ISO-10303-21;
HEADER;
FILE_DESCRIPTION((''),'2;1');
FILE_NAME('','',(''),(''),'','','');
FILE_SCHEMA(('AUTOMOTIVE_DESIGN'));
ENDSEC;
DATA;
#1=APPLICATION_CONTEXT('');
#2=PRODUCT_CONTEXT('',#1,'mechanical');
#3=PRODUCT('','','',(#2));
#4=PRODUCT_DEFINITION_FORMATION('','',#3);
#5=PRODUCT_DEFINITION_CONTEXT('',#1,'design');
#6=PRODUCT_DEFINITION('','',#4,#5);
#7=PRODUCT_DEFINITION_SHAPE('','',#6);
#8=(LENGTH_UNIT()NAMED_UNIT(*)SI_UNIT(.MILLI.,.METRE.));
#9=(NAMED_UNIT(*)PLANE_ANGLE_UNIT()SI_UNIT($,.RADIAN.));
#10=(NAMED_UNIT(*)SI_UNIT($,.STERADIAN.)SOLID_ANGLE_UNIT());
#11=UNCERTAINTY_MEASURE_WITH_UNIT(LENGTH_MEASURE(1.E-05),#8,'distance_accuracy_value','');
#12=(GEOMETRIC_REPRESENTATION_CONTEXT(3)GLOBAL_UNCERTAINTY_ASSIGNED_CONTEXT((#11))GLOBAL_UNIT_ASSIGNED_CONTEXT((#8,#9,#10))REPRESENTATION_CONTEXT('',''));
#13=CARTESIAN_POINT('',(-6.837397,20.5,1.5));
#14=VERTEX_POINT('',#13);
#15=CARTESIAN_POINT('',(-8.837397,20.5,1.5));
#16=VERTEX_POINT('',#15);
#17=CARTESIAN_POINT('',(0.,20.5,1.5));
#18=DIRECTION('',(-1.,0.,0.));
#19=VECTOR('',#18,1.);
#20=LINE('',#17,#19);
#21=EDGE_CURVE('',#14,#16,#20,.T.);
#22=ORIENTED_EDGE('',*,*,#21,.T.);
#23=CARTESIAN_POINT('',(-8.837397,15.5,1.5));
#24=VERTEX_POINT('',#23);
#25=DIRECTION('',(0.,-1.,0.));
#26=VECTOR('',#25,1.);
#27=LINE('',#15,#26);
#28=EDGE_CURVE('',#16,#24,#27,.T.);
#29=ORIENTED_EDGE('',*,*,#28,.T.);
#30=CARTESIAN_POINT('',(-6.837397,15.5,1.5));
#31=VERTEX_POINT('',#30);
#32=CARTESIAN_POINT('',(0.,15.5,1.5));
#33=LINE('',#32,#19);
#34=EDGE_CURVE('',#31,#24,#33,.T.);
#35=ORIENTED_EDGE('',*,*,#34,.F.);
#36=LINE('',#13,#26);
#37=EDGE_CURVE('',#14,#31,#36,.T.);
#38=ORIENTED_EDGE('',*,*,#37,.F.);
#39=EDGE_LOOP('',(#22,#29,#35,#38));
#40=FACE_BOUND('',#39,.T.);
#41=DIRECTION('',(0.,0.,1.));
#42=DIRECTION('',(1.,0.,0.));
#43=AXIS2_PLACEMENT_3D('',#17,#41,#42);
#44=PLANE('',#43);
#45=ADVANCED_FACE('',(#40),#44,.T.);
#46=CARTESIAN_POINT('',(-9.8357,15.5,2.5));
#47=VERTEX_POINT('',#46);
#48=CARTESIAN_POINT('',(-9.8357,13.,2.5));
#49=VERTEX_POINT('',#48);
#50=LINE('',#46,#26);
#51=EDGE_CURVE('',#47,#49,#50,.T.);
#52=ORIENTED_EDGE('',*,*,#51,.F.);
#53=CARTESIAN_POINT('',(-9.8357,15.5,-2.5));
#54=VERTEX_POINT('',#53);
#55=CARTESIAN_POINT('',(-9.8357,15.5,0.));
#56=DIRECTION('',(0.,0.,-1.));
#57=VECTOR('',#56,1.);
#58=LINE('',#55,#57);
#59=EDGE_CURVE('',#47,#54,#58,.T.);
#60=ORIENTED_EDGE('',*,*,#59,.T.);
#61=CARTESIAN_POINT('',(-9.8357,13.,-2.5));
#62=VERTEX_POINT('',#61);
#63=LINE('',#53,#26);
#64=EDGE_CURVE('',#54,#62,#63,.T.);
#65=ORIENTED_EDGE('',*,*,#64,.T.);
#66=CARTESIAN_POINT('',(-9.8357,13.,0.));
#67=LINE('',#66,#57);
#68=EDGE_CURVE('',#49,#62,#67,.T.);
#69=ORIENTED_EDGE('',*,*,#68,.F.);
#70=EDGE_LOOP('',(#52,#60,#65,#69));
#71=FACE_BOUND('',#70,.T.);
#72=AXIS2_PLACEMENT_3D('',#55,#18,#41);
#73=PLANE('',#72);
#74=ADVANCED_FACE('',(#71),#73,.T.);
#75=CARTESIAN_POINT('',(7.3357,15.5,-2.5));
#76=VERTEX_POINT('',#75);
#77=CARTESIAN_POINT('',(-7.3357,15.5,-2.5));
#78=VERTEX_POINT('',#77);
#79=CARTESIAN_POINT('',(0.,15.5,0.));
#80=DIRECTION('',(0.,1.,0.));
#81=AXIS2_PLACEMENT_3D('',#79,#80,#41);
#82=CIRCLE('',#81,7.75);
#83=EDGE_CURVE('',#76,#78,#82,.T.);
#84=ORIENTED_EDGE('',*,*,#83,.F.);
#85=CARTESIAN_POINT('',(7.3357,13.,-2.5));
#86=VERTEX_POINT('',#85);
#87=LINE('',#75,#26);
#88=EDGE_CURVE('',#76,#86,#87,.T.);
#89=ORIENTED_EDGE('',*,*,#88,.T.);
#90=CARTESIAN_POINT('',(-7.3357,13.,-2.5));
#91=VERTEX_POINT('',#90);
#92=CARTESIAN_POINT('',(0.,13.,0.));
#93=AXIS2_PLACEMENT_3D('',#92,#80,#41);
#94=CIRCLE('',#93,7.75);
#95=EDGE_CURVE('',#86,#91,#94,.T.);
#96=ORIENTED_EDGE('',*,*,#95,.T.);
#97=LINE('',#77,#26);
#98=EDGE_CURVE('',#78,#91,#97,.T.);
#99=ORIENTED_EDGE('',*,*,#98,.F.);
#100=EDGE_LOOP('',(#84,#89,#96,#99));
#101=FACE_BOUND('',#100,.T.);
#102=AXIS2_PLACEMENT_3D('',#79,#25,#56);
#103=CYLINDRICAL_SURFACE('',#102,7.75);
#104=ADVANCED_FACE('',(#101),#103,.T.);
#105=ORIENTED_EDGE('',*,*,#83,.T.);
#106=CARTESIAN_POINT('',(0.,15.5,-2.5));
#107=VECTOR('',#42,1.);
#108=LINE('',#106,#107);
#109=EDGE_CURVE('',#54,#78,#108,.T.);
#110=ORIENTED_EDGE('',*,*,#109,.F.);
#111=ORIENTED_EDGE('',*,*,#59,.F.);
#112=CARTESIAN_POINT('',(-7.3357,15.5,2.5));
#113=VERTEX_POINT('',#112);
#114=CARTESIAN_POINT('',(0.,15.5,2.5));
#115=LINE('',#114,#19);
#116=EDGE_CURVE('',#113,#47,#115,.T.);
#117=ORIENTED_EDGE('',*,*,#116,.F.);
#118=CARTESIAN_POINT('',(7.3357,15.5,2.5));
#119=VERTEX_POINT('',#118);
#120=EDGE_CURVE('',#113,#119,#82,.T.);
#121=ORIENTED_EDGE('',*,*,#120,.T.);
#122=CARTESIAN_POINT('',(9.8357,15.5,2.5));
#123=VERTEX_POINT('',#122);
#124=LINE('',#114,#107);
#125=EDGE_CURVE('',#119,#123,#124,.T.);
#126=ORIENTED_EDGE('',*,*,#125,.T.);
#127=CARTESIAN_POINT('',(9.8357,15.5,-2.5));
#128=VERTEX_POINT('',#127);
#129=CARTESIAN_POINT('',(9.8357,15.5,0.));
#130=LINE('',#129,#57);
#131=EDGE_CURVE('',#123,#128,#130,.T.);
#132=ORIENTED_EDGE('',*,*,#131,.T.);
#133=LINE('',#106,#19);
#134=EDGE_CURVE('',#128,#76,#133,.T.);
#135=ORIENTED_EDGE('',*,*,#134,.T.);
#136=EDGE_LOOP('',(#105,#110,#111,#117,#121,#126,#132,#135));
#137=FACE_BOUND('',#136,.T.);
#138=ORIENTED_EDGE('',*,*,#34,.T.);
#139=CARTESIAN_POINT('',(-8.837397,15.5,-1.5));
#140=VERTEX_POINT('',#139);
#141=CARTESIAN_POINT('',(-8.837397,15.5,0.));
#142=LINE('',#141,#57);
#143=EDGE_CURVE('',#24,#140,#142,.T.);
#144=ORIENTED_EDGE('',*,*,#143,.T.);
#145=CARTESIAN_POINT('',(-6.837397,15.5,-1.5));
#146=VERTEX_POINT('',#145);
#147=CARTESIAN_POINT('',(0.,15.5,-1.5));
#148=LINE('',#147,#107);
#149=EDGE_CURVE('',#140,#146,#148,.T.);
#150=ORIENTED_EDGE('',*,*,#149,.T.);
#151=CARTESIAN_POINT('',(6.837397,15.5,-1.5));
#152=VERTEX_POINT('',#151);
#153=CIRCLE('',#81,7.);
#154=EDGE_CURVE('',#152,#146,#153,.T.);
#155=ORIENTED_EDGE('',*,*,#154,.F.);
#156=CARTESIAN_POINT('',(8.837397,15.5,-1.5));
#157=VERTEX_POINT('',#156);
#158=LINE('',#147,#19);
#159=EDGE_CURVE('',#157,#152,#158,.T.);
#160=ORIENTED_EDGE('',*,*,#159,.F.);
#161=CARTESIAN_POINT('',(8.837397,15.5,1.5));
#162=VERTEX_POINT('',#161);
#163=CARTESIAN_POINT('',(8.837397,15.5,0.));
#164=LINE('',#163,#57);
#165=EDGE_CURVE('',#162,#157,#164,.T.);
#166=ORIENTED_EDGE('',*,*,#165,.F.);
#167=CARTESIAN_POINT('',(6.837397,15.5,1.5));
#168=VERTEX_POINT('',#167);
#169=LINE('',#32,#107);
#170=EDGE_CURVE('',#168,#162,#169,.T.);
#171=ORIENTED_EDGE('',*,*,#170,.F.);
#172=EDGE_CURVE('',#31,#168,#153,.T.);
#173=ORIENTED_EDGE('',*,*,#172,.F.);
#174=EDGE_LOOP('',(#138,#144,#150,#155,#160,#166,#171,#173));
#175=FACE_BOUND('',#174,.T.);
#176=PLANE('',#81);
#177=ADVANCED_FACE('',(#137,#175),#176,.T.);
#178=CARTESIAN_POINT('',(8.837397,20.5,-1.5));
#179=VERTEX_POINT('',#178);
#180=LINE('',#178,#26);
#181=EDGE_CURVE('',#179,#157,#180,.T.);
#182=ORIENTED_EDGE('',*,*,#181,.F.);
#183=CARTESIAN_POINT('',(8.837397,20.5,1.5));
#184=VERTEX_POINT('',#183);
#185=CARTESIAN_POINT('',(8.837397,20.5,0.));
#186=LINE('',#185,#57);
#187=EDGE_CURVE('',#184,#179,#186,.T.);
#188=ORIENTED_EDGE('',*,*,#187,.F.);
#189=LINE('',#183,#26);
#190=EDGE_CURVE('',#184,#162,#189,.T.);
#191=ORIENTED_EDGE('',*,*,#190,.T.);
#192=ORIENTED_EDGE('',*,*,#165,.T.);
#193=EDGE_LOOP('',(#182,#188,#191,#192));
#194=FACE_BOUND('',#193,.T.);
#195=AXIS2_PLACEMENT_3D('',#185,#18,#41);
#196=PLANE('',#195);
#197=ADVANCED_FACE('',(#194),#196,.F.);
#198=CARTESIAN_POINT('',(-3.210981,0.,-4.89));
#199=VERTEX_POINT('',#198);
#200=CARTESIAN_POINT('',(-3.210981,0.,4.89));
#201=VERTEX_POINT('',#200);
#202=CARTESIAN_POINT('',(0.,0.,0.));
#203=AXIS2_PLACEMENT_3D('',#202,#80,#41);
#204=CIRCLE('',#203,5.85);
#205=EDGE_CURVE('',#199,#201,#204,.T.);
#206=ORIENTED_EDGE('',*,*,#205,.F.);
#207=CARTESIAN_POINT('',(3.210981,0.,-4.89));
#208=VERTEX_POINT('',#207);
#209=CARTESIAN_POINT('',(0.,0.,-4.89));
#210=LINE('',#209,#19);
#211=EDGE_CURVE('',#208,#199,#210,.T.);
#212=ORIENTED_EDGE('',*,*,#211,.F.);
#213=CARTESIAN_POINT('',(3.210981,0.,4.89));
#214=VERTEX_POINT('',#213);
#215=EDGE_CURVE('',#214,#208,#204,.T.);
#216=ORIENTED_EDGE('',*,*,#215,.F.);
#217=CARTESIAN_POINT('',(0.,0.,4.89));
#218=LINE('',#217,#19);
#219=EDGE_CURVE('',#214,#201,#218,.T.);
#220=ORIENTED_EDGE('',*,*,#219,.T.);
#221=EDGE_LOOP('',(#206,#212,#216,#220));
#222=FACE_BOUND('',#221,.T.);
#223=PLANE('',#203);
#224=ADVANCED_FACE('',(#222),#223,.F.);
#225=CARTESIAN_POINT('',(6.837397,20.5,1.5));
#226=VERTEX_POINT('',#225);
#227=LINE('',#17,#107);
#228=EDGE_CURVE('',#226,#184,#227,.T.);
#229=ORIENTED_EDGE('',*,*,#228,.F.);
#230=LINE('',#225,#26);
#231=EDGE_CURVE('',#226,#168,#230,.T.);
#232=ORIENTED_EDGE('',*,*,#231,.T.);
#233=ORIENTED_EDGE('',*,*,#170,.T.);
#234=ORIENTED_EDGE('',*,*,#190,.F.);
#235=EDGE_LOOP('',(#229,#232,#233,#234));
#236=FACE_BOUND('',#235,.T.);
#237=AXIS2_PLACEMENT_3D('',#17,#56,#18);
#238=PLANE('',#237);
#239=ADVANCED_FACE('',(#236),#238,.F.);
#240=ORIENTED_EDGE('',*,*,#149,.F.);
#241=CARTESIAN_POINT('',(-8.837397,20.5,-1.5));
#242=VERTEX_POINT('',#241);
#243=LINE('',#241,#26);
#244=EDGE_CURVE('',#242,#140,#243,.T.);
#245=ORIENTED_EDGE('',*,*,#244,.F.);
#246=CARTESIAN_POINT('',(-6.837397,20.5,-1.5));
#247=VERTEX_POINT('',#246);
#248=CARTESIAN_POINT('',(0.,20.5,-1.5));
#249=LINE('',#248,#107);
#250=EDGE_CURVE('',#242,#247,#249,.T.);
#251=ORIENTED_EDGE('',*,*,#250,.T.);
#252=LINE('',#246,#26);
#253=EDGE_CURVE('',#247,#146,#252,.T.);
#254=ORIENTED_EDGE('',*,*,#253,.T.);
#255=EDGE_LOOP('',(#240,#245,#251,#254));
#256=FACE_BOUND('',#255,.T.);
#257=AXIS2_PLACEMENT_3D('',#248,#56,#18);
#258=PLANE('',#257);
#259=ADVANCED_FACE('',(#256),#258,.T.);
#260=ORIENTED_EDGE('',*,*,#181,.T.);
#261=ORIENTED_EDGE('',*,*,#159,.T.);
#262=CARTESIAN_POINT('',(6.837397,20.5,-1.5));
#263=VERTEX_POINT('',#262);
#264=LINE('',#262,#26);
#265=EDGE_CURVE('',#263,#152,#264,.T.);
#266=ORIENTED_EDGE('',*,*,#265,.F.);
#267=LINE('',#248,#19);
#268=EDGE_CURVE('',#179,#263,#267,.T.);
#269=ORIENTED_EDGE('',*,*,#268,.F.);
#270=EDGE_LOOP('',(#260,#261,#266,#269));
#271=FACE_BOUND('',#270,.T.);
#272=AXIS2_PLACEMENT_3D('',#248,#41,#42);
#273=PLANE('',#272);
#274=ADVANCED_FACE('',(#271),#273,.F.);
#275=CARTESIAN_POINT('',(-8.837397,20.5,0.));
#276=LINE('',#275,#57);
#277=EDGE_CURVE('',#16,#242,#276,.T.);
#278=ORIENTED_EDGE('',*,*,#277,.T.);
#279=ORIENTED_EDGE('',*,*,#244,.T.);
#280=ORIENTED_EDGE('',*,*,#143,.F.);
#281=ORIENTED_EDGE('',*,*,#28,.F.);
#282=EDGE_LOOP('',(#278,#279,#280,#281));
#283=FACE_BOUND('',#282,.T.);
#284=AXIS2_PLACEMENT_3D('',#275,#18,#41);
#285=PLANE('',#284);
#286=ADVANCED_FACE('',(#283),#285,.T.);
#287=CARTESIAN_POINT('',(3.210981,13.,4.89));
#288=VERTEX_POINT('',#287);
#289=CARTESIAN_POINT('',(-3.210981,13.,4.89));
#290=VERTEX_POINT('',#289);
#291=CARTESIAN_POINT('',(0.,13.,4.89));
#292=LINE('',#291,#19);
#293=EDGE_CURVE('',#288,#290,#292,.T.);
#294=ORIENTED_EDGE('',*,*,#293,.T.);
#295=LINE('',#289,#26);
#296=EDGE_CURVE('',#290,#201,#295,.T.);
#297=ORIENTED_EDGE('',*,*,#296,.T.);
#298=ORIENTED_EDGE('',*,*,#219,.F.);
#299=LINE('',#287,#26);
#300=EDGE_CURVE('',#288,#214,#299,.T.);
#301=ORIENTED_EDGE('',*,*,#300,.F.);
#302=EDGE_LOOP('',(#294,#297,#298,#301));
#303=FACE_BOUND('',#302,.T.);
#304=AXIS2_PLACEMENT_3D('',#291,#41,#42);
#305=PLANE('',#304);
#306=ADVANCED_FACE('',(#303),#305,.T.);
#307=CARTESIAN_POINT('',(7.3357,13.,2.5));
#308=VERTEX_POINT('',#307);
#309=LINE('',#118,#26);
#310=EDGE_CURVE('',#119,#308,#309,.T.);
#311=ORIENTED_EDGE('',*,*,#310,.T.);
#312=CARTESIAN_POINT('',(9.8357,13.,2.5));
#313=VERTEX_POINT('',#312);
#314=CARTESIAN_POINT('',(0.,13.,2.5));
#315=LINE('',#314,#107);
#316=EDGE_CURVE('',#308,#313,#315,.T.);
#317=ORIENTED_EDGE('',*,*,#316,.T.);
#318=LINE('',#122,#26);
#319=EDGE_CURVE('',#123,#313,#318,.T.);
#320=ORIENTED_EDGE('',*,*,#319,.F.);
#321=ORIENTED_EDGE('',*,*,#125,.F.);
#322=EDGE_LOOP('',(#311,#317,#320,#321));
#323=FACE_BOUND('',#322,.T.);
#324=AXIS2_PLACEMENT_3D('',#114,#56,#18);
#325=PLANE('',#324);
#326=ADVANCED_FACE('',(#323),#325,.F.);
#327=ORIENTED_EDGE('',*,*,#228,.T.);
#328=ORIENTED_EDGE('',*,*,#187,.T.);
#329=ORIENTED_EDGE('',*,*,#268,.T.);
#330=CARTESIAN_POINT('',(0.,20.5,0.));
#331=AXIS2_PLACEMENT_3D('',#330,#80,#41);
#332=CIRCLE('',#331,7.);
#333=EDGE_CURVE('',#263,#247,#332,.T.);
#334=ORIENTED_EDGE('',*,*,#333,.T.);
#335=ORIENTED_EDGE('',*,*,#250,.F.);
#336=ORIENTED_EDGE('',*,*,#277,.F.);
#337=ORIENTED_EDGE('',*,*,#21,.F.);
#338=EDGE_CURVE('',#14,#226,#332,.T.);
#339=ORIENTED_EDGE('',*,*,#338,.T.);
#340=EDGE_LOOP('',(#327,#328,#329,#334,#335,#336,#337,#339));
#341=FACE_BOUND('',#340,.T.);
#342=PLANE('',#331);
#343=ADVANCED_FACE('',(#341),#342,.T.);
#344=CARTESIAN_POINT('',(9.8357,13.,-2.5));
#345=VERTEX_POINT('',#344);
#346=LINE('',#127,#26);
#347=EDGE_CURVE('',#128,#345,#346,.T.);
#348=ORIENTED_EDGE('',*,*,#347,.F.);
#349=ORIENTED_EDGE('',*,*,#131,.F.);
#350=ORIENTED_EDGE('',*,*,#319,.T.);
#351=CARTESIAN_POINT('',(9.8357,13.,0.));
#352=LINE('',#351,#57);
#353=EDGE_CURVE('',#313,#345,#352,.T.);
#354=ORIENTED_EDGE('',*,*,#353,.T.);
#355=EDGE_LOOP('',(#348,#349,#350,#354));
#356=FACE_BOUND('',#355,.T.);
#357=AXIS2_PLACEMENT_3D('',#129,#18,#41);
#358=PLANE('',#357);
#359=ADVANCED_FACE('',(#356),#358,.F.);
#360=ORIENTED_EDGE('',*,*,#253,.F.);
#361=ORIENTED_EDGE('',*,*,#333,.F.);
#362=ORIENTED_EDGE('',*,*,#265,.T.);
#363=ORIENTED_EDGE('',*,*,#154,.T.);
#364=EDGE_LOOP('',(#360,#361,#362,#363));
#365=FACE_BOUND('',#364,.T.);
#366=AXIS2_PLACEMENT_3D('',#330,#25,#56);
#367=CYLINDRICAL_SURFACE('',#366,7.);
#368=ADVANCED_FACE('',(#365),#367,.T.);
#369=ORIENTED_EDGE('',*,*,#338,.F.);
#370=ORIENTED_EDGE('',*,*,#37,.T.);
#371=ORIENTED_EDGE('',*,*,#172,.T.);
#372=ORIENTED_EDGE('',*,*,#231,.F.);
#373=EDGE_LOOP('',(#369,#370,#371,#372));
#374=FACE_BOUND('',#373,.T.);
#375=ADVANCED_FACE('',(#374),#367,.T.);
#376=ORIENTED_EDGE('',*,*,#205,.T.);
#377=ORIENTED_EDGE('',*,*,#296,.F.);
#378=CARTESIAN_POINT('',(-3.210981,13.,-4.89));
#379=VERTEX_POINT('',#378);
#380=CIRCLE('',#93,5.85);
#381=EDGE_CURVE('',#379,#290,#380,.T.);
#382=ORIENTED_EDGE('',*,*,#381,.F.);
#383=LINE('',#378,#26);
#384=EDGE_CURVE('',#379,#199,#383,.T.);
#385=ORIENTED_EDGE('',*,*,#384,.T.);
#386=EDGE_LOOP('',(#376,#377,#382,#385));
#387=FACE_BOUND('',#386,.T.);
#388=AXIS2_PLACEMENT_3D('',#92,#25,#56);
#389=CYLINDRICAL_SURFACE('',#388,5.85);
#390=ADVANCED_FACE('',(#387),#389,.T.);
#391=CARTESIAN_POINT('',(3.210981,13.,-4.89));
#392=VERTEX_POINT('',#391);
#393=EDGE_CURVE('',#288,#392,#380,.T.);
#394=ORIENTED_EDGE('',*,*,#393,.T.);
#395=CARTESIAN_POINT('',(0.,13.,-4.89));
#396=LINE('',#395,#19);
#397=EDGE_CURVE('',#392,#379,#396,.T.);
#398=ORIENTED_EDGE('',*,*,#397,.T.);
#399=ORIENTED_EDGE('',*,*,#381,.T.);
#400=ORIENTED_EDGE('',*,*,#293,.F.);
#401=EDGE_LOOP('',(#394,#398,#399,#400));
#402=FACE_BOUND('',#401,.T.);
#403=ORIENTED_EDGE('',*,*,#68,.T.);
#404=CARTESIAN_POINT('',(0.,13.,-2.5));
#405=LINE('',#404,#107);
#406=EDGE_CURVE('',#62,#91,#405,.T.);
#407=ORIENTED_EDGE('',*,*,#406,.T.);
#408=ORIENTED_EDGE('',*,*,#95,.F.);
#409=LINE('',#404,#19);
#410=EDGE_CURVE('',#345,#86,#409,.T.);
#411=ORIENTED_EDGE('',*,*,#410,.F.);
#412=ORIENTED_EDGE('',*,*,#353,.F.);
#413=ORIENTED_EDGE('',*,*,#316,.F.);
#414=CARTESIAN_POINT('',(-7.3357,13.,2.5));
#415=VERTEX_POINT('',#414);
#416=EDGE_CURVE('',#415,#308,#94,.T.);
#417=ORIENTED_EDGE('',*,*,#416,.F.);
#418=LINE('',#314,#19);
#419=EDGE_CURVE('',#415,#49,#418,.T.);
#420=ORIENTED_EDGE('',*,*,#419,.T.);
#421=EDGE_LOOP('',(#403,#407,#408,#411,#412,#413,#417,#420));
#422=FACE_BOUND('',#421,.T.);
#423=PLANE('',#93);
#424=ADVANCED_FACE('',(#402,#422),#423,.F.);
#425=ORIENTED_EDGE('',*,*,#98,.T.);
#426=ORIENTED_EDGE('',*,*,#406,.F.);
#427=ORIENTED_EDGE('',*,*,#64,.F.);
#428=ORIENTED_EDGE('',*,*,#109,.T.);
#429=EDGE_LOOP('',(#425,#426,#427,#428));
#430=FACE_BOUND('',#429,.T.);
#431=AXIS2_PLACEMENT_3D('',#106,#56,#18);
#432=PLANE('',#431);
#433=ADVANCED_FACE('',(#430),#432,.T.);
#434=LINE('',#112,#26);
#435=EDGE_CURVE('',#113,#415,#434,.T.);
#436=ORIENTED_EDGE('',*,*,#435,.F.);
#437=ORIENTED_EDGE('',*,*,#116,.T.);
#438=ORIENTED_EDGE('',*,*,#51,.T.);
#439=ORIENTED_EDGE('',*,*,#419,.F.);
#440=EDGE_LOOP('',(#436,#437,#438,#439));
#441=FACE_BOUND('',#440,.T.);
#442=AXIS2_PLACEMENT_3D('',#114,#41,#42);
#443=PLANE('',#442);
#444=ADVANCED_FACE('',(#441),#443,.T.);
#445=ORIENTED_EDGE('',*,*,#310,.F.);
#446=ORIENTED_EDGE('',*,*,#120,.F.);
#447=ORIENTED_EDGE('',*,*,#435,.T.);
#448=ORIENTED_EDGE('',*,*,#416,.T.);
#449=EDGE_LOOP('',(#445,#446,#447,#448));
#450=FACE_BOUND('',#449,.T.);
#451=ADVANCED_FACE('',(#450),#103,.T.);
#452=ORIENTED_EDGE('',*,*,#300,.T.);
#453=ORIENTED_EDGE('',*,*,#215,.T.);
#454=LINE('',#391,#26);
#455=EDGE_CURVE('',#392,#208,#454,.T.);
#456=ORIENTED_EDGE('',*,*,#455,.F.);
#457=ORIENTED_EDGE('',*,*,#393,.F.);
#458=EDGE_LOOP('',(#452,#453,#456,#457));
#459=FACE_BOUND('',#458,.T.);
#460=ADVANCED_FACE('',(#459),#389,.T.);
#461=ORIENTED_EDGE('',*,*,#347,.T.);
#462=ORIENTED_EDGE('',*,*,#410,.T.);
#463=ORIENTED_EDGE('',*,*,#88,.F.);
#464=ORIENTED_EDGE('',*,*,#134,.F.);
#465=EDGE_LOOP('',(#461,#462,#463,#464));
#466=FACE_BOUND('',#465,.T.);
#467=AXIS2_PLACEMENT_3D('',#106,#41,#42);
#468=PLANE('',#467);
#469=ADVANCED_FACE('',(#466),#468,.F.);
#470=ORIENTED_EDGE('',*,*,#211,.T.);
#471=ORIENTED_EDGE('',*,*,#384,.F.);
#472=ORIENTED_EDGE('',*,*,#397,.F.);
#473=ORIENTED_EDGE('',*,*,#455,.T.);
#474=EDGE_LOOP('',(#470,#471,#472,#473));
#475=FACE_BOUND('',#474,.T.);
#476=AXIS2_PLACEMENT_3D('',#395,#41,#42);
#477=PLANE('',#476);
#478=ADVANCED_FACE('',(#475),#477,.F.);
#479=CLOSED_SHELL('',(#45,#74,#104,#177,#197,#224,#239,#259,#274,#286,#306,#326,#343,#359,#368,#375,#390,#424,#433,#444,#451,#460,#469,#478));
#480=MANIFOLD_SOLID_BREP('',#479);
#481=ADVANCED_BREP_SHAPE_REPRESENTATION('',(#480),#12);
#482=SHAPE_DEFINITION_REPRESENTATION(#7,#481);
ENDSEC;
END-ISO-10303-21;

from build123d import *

# Parameters (mm, degrees)
BOSS_EXTRUDE1_DEPTH = 13
BOSS_EXTRUDE2_DEPTH = 2.5
SKETCH3_R           = 7
BOSS_EXTRUDE3_DEPTH = 5


with BuildPart() as part:
    # Sketch1 → Boss-Extrude1 (new body)
    with BuildSketch(Plane(origin=(0, 0, 0), x_dir=(1, 0, 0), z_dir=(0, 1, 0))):
        with BuildLine():
            ThreePointArc((5.85, 0), (5.148142373, 2.778332254), (3.210981158, 4.89))
            Line((3.210981158, 4.89), (-3.210981158, 4.89))
            ThreePointArc((-3.210981158, 4.89), (-5.148142373, 2.778332254), (-5.85, 0))
            Line((-5.85, 0), (5.85, 0))
        make_face()
        with BuildLine():
            ThreePointArc((3.210981158, -4.89), (5.148142373, -2.778332254), (5.85, 0))
            Line((5.85, 0), (-5.85, 0))
            ThreePointArc((-5.85, 0), (-5.148142373, -2.778332254), (-3.210981158, -4.89))
            Line((-3.210981158, -4.89), (3.210981158, -4.89))
        make_face()
    extrude(amount=BOSS_EXTRUDE1_DEPTH)

    # Sketch2 → Boss-Extrude2 (add)
    with BuildSketch(Plane(origin=(0, 13, 0), x_dir=(1, 0, 0), z_dir=(0, 1, 0))):
        with BuildLine():
            Line((0, 4.89), (0, 7.75))
            ThreePointArc((0, 7.75), (-4.510404638, 6.302281333), (-7.335700376, 2.5))
            ThreePointArc((-7.335700376, 2.5), (-7.75, 0), (-7.335700376, -2.5))
            ThreePointArc((-7.335700376, -2.5), (-4.510404638, -6.302281333), (0, -7.75))
            Line((0, -7.75), (0, -4.89))
            Line((0, -4.89), (-3.210981158, -4.89))
            ThreePointArc((-3.210981158, -4.89), (-5.85, 0), (-3.210981158, 4.89))
            Line((-3.210981158, 4.89), (0, 4.89))
        make_face()
        with BuildLine():
            ThreePointArc((7.335700376, 2.5), (4.510404638, 6.302281333), (0, 7.75))
            Line((0, 7.75), (0, 4.89))
            Line((0, 4.89), (3.210981158, 4.89))
            ThreePointArc((3.210981158, 4.89), (5.85, 0), (3.210981158, -4.89))
            Line((3.210981158, -4.89), (0, -4.89))
            Line((0, -4.89), (0, -7.75))
            ThreePointArc((0, -7.75), (4.510404638, -6.302281333), (7.335700376, -2.5))
            ThreePointArc((7.335700376, -2.5), (7.645723573, -1.267048162), (7.75, 0))
            ThreePointArc((7.75, 0), (7.645723573, 1.267048162), (7.335700376, 2.5))
        make_face()
        with BuildLine():
            Line((3.210981158, 4.89), (0, 4.89))
            Line((0, 4.89), (0, -4.89))
            Line((0, -4.89), (3.210981158, -4.89))
            ThreePointArc((3.210981158, -4.89), (5.85, 0), (3.210981158, 4.89))
        make_face()
        with BuildLine():
            Line((9.835700376, 2.5), (7.335700376, 2.5))
            ThreePointArc((7.335700376, 2.5), (7.645723573, 1.267048162), (7.75, 0))
            ThreePointArc((7.75, 0), (7.645723573, -1.267048162), (7.335700376, -2.5))
            Line((7.335700376, -2.5), (9.835700376, -2.5))
            Line((9.835700376, -2.5), (9.835700376, 2.5))
        make_face()
        with BuildLine():
            Line((0, -4.89), (0, 4.89))
            Line((0, 4.89), (-3.210981158, 4.89))
            ThreePointArc((-3.210981158, 4.89), (-5.85, 0), (-3.210981158, -4.89))
            Line((-3.210981158, -4.89), (0, -4.89))
        make_face()
        with BuildLine():
            ThreePointArc((-7.335700376, -2.5), (-7.75, 0), (-7.335700376, 2.5))
            Line((-7.335700376, 2.5), (-9.835700376, 2.5))
            Line((-9.835700376, 2.5), (-9.835700376, -2.5))
            Line((-9.835700376, -2.5), (-7.335700376, -2.5))
        make_face()
    extrude(amount=BOSS_EXTRUDE2_DEPTH)

    # Sketch3 → Boss-Extrude3 (add)
    with BuildSketch(Plane(origin=(0, 15.5, 0), x_dir=(1, 0, 0), z_dir=(0, 1, 0))):
        Circle(SKETCH3_R)
        with BuildLine():
            ThreePointArc((-6.837397166, -1.5), (-7, 0), (-6.837397166, 1.5))
            Line((-6.837397166, 1.5), (-8.837397166, 1.5))
            Line((-8.837397166, 1.5), (-8.837397166, -1.5))
            Line((-8.837397166, -1.5), (-6.837397166, -1.5))
        make_face()
        with BuildLine():
            Line((8.837397166, 1.5), (6.837397166, 1.5))
            ThreePointArc((6.837397166, 1.5), (6.959230567, 0.754393744), (7, 0))
            ThreePointArc((7, 0), (6.959230567, -0.754393744), (6.837397166, -1.5))
            Line((6.837397166, -1.5), (8.837397166, -1.5))
            Line((8.837397166, -1.5), (8.837397166, 1.5))
        make_face()
    extrude(amount=BOSS_EXTRUDE3_DEPTH)


solid = part.part
